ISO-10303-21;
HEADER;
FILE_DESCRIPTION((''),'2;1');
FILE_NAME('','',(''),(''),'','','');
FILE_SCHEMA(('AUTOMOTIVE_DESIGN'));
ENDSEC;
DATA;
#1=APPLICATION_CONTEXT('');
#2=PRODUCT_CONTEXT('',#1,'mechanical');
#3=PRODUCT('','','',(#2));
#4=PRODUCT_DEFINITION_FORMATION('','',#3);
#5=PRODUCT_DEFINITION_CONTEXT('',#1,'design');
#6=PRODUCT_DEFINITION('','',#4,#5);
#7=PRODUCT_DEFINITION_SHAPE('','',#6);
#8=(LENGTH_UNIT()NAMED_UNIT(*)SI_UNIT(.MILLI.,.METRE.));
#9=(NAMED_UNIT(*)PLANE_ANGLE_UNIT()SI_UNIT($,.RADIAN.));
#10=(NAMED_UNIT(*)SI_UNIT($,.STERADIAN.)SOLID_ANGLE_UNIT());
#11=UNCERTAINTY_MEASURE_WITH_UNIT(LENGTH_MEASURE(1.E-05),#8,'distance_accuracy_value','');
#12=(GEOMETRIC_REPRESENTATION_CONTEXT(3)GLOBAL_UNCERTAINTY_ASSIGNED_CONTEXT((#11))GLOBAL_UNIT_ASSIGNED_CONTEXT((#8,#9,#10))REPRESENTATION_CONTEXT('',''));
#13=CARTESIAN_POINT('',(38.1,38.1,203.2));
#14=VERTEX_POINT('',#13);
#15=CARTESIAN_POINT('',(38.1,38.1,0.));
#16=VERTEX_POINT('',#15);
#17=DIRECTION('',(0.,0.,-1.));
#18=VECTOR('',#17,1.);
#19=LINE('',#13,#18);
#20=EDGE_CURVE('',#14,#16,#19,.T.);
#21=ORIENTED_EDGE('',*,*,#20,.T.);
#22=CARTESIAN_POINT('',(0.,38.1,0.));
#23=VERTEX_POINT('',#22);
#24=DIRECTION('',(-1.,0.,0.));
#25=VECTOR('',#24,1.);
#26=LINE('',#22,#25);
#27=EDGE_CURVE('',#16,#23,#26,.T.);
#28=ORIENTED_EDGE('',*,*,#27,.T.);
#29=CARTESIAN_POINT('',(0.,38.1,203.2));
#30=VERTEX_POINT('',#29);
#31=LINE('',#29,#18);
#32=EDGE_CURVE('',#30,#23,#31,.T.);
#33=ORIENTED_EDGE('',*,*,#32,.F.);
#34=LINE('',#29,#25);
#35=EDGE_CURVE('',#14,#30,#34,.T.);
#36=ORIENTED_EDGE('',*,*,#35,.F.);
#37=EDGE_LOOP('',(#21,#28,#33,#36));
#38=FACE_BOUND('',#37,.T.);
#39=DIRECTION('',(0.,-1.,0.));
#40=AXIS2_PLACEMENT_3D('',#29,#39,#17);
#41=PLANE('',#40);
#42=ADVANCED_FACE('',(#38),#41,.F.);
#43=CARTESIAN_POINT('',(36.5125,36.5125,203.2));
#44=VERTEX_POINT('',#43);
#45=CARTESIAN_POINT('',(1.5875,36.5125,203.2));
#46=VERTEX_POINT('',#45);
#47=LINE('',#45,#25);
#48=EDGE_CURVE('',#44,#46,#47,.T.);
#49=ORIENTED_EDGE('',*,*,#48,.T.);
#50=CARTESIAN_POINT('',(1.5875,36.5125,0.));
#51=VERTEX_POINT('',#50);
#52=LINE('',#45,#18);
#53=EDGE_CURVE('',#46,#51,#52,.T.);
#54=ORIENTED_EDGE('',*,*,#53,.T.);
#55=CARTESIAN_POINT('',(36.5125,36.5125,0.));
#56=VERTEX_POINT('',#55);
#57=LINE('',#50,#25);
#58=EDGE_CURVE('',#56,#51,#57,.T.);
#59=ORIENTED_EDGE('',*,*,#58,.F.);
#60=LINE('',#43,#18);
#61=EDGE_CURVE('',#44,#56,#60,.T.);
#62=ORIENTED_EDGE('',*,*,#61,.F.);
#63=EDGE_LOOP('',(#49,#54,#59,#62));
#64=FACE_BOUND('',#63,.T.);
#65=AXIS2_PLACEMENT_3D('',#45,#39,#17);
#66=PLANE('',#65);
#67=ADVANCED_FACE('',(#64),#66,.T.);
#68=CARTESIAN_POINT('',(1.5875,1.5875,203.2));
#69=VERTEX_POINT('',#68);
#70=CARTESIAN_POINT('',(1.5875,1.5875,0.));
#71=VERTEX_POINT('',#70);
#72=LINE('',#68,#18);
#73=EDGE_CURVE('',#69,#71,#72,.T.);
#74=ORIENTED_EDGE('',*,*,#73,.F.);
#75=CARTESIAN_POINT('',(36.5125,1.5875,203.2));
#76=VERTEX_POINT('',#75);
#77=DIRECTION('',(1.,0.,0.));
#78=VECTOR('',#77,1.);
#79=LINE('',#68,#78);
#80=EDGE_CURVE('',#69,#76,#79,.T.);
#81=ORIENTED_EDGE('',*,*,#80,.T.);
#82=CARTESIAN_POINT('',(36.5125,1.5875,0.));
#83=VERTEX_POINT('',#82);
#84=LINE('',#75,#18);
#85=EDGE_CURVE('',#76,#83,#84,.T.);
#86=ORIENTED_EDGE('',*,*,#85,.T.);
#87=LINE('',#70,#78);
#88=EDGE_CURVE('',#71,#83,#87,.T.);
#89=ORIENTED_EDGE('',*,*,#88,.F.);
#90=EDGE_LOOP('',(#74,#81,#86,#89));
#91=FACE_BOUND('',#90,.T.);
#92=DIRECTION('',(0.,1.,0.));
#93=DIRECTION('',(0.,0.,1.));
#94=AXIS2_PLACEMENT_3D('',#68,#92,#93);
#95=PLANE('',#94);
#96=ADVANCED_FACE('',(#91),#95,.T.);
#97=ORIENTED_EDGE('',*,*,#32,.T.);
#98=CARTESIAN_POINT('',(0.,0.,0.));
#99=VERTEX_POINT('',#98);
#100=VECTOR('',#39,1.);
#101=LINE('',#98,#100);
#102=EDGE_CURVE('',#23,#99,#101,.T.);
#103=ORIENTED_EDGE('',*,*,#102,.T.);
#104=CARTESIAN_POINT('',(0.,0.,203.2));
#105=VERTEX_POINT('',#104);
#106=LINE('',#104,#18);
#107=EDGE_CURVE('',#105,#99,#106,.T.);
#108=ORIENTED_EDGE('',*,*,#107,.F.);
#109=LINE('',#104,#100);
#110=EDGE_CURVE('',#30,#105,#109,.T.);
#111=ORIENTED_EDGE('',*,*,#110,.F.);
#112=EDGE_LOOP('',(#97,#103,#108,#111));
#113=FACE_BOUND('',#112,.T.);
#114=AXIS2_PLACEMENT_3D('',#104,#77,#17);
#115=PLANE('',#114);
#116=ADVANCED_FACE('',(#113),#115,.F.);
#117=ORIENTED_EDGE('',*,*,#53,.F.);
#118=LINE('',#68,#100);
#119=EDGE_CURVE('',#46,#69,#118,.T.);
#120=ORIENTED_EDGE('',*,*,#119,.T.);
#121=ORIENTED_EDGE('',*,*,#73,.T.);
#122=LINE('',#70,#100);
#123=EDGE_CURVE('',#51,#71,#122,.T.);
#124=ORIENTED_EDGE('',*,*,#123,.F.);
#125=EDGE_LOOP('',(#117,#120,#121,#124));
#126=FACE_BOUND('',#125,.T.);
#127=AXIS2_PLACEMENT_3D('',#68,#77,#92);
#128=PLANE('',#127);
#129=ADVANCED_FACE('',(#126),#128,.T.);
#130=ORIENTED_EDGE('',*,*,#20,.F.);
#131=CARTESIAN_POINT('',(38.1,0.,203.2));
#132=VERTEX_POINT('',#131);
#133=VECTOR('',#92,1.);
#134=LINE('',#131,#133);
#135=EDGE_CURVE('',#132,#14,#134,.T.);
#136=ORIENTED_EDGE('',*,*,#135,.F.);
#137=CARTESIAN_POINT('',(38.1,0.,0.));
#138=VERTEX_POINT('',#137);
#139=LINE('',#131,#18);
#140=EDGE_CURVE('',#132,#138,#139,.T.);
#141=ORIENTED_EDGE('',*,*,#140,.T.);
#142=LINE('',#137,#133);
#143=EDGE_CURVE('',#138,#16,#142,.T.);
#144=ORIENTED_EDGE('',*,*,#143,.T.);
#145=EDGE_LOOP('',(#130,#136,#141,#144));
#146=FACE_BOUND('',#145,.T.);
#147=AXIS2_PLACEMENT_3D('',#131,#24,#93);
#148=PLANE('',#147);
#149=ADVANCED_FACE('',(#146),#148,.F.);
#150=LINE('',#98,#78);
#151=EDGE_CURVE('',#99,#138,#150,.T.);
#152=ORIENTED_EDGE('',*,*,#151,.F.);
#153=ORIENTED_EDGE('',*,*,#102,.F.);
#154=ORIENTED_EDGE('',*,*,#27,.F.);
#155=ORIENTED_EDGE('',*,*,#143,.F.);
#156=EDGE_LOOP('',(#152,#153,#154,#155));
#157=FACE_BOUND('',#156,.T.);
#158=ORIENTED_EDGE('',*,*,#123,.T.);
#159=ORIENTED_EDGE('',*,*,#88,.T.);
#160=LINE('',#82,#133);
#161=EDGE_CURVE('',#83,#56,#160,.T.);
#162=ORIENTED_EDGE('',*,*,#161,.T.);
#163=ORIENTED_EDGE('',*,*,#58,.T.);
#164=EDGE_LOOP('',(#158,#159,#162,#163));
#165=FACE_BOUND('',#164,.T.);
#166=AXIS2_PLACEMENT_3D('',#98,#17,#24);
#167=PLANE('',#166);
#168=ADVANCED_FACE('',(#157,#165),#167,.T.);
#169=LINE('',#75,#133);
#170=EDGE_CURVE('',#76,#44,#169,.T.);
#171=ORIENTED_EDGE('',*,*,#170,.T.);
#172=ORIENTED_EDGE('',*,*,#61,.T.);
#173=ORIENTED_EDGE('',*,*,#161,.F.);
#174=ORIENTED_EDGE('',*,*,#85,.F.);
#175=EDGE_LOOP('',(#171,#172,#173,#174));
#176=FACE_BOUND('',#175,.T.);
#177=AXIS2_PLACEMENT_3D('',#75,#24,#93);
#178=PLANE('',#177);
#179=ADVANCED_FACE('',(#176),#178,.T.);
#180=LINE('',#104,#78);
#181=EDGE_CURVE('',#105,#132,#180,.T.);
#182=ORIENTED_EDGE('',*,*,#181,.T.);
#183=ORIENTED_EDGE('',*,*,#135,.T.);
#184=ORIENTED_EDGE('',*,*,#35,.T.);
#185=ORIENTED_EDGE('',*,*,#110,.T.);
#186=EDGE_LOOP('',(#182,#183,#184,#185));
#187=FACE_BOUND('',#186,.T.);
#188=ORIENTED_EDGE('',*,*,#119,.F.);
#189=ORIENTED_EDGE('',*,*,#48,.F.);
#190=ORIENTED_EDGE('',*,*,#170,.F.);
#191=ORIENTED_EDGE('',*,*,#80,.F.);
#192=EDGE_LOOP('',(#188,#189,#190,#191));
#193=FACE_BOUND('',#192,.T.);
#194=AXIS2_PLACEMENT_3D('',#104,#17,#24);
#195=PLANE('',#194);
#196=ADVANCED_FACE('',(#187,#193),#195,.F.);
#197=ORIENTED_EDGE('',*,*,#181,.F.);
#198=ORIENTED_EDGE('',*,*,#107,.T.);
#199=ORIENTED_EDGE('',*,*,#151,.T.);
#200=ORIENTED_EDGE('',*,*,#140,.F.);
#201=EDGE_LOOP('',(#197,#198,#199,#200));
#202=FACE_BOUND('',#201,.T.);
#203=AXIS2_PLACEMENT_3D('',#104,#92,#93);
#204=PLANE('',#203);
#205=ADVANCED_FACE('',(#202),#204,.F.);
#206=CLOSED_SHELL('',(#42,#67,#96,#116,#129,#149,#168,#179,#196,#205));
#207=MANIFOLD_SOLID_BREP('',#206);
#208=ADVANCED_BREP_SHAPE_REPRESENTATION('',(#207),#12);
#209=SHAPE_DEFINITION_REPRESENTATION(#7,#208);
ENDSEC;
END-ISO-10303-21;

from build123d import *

# Parameters (mm, degrees)
SKETCH2_W           = 38.1
SKETCH2_H           = 38.1
SKETCH2_W_2         = 34.925
SKETCH2_H_2         = 34.925
BOSS_EXTRUDE1_DEPTH = 203.2


with BuildPart() as part:
    # Sketch2 → Boss-Extrude1 (new body)
    with BuildSketch(Plane.XY):
        with Locations((19.05, 19.05)):
            Rectangle(SKETCH2_W, SKETCH2_H)
        with Locations((19.05, 19.05)):
            Rectangle(SKETCH2_W_2, SKETCH2_H_2, mode=Mode.SUBTRACT)
    extrude(amount=BOSS_EXTRUDE1_DEPTH)


solid = part.part
